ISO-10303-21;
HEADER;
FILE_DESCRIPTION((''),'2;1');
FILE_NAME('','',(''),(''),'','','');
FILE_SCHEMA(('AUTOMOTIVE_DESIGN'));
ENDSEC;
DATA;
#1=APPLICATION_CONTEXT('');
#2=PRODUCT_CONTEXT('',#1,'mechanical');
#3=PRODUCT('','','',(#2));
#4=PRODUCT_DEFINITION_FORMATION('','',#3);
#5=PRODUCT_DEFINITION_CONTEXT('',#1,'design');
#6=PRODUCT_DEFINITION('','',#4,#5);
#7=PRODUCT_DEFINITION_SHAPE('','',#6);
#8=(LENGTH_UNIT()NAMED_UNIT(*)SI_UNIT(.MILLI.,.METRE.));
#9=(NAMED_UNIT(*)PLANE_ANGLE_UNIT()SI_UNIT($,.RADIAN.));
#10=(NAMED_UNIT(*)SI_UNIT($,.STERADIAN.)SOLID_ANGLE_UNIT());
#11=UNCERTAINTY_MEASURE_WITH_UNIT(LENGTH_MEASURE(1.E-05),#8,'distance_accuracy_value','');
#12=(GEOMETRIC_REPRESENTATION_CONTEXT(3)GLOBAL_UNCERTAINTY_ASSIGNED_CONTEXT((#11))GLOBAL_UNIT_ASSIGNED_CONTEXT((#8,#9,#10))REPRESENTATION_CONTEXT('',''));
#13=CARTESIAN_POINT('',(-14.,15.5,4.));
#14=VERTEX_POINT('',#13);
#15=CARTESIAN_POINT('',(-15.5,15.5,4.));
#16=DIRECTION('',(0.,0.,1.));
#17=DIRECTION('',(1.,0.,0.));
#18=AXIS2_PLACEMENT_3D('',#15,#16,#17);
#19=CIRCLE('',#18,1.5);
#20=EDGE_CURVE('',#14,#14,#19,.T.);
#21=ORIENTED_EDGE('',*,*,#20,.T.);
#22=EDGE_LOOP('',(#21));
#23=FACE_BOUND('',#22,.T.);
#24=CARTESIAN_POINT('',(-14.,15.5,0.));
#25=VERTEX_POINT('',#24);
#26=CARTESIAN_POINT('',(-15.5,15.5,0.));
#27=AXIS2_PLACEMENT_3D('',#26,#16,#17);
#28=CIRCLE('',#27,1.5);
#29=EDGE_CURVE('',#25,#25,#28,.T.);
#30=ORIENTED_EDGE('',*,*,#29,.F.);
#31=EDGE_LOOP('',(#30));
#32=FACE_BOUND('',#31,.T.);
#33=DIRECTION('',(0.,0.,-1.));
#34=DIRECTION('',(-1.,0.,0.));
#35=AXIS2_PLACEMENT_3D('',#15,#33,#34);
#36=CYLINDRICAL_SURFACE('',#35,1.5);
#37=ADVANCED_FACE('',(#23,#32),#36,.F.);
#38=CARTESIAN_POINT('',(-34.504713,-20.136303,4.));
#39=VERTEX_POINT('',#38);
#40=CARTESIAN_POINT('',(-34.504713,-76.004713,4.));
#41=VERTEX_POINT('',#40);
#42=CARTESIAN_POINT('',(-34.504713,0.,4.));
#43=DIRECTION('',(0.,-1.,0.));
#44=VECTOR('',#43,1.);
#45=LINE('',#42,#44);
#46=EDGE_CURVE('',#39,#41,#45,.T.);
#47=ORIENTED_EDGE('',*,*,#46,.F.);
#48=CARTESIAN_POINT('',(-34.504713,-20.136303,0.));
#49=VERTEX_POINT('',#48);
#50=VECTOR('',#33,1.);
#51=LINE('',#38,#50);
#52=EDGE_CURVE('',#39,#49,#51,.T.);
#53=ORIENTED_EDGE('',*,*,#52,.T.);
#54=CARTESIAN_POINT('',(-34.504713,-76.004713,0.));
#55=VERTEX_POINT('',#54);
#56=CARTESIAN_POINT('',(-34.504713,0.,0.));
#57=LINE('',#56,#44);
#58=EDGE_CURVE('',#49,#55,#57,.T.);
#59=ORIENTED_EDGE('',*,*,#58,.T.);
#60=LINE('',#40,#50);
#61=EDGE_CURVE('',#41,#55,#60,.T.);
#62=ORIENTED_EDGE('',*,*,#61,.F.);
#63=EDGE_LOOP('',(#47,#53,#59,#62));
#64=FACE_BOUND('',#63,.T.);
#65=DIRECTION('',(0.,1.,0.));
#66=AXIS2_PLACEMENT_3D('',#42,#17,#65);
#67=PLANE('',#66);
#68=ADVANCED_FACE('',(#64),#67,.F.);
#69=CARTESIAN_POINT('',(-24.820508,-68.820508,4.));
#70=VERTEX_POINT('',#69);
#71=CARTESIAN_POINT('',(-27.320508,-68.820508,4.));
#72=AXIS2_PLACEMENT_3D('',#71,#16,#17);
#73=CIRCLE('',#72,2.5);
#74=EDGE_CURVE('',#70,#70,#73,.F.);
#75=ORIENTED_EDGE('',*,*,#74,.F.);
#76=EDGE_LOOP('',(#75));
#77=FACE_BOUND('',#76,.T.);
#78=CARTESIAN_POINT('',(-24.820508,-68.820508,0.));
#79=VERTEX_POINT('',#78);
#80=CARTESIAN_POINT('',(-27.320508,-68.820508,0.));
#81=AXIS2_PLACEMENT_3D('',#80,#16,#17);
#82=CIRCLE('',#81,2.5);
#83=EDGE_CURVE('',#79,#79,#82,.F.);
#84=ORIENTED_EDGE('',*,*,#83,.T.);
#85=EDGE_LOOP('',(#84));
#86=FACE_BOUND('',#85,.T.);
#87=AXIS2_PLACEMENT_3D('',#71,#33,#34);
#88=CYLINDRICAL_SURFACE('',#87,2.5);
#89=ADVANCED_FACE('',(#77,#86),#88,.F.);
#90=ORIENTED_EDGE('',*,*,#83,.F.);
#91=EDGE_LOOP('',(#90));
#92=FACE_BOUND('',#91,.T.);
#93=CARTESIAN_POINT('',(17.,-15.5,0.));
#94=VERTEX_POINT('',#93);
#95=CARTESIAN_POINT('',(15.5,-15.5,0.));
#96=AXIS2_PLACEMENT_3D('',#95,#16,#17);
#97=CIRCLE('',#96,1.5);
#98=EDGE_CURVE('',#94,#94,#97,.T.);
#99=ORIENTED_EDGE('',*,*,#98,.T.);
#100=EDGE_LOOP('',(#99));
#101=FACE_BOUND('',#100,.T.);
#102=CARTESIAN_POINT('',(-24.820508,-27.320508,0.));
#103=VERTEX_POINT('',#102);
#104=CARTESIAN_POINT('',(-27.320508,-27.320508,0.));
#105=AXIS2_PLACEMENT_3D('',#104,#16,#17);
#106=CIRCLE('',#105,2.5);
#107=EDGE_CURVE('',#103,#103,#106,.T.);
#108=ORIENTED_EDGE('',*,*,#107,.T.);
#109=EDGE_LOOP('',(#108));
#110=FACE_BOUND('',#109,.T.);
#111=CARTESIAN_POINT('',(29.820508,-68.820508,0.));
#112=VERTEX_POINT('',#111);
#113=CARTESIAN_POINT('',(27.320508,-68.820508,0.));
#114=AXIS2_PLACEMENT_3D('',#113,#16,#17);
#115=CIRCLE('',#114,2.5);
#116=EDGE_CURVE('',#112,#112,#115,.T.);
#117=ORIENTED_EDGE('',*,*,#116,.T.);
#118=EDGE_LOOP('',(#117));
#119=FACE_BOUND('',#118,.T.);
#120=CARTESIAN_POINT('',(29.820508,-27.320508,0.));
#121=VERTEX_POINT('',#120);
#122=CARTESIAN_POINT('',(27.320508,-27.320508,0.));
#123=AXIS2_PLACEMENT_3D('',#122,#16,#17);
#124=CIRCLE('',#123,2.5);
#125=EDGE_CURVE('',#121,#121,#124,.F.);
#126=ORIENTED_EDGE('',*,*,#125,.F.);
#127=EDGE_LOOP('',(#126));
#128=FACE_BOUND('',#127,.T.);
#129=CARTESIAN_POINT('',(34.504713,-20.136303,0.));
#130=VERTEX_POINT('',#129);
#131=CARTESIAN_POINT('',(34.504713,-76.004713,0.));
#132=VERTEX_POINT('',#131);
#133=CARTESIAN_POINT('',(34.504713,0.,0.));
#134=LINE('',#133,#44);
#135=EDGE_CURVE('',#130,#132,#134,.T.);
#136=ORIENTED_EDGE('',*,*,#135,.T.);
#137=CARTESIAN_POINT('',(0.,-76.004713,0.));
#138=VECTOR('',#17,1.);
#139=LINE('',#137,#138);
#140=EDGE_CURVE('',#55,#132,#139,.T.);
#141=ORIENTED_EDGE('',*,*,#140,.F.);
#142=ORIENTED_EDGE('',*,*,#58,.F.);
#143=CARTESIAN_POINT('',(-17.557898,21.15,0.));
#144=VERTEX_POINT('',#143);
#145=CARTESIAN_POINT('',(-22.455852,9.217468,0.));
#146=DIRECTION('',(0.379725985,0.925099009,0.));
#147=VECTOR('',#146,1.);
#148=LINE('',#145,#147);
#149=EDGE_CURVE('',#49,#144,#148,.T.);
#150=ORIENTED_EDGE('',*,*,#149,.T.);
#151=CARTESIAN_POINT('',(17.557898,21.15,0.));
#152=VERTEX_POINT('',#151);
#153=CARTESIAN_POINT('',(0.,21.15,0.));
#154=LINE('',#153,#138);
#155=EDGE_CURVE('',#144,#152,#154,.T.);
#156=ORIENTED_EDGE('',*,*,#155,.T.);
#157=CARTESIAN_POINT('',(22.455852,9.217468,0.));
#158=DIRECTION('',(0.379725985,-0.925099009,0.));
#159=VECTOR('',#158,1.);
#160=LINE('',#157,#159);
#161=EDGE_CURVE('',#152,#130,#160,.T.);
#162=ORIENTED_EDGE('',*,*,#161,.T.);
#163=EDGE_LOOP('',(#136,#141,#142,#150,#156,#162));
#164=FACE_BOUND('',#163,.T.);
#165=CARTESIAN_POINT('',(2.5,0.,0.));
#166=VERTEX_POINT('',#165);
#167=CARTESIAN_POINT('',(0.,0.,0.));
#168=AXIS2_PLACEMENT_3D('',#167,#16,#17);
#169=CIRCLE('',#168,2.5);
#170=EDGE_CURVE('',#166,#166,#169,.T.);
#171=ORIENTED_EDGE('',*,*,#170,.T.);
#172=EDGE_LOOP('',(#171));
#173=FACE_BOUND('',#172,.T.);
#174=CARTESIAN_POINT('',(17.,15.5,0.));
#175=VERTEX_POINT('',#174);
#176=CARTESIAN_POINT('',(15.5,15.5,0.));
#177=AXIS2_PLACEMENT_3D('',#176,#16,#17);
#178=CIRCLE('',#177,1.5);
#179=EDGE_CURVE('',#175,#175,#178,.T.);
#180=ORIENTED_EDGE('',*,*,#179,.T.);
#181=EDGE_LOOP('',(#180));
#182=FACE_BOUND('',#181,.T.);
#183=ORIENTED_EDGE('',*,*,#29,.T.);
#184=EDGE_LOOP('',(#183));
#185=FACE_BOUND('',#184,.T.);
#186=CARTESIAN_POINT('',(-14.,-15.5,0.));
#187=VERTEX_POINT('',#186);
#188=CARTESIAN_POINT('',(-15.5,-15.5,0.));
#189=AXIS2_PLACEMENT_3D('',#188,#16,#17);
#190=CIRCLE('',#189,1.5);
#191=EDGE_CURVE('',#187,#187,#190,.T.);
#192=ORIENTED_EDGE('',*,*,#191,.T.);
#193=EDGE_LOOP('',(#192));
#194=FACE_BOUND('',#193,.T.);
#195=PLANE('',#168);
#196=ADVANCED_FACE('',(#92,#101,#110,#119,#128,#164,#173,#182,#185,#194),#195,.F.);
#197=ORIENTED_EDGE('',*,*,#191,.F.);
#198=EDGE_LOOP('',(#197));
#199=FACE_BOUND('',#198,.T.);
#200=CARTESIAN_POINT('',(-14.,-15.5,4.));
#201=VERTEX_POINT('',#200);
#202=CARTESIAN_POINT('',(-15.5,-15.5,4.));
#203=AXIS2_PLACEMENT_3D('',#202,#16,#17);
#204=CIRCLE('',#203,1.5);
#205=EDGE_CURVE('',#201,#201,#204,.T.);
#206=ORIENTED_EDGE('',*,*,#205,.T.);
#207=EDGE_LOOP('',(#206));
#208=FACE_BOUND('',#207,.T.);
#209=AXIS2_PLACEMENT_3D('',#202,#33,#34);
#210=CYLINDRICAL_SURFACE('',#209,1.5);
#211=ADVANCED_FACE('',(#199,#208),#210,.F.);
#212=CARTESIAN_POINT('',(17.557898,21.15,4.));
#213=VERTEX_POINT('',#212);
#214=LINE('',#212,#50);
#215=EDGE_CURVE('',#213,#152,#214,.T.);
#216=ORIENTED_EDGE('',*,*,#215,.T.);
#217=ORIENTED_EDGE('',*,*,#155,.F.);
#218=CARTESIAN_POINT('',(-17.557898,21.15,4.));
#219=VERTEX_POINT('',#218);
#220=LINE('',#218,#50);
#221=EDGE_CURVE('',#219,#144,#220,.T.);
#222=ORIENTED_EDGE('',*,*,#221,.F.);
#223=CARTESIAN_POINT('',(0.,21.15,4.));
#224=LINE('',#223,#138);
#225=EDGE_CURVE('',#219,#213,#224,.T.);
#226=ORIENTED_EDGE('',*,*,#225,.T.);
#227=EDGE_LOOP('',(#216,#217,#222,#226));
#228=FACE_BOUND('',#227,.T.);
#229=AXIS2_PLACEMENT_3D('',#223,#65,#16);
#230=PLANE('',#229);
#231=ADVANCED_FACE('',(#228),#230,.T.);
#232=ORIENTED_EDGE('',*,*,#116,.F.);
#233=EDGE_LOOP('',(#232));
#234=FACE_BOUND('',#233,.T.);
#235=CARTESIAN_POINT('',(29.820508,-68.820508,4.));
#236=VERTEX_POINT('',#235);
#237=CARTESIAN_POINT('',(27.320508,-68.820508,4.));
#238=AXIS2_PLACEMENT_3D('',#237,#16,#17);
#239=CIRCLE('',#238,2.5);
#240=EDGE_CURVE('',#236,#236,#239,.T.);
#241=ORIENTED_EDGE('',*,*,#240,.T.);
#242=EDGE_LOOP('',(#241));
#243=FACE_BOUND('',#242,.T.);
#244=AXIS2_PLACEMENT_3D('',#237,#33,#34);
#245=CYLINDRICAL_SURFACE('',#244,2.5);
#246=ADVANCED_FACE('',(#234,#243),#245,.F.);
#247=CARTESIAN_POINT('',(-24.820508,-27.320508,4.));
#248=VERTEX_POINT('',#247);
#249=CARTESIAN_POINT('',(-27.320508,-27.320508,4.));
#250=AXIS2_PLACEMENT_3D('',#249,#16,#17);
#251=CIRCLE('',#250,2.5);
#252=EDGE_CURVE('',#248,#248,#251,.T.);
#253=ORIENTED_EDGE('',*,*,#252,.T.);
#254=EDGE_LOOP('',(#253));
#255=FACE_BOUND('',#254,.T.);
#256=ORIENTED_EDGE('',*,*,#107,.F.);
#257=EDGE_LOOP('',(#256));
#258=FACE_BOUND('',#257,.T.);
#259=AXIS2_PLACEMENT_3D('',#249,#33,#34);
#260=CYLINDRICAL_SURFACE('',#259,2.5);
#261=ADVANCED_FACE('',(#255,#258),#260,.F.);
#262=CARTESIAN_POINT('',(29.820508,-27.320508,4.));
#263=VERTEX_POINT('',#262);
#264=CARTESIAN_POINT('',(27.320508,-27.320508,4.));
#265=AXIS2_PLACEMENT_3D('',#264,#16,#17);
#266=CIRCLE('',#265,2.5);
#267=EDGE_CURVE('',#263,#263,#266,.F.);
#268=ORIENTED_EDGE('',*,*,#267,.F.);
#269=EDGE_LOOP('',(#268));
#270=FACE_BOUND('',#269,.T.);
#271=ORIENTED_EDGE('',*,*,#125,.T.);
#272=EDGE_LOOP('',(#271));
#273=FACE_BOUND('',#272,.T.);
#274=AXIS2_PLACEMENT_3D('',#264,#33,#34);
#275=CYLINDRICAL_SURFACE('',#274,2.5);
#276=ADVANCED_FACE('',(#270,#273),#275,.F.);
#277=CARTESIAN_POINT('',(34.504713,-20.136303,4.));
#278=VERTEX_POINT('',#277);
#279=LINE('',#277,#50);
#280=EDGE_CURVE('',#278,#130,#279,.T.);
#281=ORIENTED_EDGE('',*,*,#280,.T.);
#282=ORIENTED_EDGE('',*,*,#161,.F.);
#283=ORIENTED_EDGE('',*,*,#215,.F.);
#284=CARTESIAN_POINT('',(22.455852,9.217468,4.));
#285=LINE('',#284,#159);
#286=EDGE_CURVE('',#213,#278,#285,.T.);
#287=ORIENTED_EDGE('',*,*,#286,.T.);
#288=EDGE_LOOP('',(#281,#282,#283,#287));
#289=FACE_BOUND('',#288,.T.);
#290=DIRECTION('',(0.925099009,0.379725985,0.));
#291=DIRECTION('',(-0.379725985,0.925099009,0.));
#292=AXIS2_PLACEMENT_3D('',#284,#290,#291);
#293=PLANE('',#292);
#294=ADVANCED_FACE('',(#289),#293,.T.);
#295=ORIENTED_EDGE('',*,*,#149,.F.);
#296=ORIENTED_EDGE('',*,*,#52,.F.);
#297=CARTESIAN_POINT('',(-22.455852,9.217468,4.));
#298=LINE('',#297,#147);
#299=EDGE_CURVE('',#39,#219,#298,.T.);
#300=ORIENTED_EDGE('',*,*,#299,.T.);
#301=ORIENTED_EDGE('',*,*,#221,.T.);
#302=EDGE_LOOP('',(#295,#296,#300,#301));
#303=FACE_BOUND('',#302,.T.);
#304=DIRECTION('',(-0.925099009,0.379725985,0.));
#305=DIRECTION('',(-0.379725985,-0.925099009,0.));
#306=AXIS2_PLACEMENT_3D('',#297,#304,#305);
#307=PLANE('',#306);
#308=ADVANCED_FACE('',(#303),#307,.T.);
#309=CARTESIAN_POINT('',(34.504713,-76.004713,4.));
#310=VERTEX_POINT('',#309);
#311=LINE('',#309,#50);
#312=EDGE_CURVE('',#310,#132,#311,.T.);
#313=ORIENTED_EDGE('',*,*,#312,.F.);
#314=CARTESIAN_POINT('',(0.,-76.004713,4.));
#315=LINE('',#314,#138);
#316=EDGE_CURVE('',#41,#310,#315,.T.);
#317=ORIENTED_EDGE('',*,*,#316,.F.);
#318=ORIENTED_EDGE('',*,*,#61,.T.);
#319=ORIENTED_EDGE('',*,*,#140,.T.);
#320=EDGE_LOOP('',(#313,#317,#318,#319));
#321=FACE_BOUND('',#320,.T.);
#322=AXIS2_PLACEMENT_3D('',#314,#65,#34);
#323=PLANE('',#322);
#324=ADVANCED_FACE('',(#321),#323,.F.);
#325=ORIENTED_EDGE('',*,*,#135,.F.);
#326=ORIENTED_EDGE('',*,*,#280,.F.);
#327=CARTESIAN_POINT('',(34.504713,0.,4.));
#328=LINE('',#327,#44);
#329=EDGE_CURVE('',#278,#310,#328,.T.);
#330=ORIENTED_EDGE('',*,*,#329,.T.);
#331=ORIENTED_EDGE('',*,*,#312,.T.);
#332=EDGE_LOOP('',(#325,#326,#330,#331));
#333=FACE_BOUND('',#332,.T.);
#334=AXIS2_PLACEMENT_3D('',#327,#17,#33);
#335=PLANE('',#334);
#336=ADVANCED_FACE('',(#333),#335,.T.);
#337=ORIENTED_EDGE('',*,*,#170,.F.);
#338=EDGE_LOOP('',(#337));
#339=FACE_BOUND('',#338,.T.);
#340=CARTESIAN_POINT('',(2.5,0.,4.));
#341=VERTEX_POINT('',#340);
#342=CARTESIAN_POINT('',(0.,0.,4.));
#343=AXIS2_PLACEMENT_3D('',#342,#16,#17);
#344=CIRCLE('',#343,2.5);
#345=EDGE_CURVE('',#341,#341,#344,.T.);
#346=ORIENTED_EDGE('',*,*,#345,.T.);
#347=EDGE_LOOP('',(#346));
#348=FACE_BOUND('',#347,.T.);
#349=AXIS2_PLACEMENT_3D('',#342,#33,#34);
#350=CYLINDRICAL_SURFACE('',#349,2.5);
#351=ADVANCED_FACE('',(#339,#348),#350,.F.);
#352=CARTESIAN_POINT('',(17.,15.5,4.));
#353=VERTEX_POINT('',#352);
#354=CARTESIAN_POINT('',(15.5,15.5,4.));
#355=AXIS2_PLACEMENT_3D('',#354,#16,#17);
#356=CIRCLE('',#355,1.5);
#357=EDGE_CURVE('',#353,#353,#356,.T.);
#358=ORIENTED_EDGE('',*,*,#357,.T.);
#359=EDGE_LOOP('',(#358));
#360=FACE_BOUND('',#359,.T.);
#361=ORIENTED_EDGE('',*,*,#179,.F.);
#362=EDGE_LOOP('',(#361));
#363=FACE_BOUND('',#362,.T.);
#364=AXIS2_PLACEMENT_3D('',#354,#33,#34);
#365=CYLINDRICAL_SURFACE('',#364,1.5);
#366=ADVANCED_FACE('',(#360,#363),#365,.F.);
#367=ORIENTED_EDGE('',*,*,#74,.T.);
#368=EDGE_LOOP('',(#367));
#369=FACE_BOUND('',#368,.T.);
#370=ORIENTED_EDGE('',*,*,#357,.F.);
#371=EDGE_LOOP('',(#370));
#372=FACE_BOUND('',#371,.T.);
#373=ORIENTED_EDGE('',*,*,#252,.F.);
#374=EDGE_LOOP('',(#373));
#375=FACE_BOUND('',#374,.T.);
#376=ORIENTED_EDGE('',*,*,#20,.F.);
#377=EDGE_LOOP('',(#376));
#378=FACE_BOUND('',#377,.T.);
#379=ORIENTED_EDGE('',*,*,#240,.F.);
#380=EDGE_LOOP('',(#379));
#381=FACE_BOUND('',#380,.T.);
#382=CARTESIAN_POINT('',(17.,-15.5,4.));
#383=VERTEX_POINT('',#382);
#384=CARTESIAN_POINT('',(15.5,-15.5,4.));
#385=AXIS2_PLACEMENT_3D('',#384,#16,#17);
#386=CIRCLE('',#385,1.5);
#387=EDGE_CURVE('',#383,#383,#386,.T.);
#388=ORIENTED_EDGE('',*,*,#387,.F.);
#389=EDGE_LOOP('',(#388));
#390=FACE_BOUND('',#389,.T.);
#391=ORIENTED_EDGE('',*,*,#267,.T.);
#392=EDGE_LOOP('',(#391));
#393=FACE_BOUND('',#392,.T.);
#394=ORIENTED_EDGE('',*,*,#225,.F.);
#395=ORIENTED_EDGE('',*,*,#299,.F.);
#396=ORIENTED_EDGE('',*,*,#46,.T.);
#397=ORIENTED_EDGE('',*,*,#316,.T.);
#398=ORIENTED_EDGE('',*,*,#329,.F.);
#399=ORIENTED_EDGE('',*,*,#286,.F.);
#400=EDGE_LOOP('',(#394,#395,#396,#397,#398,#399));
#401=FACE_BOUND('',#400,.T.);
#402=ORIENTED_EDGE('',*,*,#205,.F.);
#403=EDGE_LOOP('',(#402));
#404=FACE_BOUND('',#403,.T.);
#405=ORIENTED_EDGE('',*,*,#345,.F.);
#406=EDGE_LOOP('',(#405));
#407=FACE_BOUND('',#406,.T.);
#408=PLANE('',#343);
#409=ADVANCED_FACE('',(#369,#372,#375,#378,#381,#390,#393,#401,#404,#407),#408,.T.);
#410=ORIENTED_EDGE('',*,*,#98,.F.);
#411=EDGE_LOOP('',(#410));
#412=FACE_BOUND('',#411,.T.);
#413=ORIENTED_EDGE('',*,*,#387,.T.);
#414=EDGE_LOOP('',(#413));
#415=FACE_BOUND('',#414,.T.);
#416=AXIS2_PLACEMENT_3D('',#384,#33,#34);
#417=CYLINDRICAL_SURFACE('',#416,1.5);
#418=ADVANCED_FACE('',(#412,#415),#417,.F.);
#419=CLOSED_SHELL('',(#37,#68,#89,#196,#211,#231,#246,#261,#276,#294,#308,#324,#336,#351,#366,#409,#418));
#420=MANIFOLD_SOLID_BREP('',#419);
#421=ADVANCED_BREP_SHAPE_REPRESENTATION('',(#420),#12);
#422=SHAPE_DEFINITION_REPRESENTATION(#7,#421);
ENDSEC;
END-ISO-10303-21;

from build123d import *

# Parameters (mm, degrees)
SKETCH4_R           = 2.5
SKETCH4_R_2         = 1.5
BOSS_EXTRUDE1_DEPTH = 4


with BuildPart() as part:
    # Sketch4 → Boss-Extrude1 (new body)
    with BuildSketch(Plane.XY):
        Polygon((-34.504712973, -20.136303179), (-34.504712973, -76.004712973), (34.504712973, -76.004712973), (34.504712973, -20.136303179), (17.557897552, 21.15), (-17.557897552, 21.15), align=None)
        with Locations((-27.320508076, -27.320508076)):
            Circle(SKETCH4_R, mode=Mode.SUBTRACT)
        with Locations((27.320508076, -27.320508076)):
            Circle(SKETCH4_R, mode=Mode.SUBTRACT)
        with Locations((27.320508076, -68.820508076)):
            Circle(SKETCH4_R, mode=Mode.SUBTRACT)
        with Locations((-27.320508076, -68.820508076)):
            Circle(SKETCH4_R, mode=Mode.SUBTRACT)
        with Locations((-15.5, -15.5)):
            Circle(SKETCH4_R_2, mode=Mode.SUBTRACT)
        with Locations((-15.5, 15.5)):
            Circle(SKETCH4_R_2, mode=Mode.SUBTRACT)
        with Locations((15.5, 15.5)):
            Circle(SKETCH4_R_2, mode=Mode.SUBTRACT)
        with Locations((15.5, -15.5)):
            Circle(SKETCH4_R_2, mode=Mode.SUBTRACT)
        Circle(SKETCH4_R, mode=Mode.SUBTRACT)
    extrude(amount=BOSS_EXTRUDE1_DEPTH)


solid = part.part
